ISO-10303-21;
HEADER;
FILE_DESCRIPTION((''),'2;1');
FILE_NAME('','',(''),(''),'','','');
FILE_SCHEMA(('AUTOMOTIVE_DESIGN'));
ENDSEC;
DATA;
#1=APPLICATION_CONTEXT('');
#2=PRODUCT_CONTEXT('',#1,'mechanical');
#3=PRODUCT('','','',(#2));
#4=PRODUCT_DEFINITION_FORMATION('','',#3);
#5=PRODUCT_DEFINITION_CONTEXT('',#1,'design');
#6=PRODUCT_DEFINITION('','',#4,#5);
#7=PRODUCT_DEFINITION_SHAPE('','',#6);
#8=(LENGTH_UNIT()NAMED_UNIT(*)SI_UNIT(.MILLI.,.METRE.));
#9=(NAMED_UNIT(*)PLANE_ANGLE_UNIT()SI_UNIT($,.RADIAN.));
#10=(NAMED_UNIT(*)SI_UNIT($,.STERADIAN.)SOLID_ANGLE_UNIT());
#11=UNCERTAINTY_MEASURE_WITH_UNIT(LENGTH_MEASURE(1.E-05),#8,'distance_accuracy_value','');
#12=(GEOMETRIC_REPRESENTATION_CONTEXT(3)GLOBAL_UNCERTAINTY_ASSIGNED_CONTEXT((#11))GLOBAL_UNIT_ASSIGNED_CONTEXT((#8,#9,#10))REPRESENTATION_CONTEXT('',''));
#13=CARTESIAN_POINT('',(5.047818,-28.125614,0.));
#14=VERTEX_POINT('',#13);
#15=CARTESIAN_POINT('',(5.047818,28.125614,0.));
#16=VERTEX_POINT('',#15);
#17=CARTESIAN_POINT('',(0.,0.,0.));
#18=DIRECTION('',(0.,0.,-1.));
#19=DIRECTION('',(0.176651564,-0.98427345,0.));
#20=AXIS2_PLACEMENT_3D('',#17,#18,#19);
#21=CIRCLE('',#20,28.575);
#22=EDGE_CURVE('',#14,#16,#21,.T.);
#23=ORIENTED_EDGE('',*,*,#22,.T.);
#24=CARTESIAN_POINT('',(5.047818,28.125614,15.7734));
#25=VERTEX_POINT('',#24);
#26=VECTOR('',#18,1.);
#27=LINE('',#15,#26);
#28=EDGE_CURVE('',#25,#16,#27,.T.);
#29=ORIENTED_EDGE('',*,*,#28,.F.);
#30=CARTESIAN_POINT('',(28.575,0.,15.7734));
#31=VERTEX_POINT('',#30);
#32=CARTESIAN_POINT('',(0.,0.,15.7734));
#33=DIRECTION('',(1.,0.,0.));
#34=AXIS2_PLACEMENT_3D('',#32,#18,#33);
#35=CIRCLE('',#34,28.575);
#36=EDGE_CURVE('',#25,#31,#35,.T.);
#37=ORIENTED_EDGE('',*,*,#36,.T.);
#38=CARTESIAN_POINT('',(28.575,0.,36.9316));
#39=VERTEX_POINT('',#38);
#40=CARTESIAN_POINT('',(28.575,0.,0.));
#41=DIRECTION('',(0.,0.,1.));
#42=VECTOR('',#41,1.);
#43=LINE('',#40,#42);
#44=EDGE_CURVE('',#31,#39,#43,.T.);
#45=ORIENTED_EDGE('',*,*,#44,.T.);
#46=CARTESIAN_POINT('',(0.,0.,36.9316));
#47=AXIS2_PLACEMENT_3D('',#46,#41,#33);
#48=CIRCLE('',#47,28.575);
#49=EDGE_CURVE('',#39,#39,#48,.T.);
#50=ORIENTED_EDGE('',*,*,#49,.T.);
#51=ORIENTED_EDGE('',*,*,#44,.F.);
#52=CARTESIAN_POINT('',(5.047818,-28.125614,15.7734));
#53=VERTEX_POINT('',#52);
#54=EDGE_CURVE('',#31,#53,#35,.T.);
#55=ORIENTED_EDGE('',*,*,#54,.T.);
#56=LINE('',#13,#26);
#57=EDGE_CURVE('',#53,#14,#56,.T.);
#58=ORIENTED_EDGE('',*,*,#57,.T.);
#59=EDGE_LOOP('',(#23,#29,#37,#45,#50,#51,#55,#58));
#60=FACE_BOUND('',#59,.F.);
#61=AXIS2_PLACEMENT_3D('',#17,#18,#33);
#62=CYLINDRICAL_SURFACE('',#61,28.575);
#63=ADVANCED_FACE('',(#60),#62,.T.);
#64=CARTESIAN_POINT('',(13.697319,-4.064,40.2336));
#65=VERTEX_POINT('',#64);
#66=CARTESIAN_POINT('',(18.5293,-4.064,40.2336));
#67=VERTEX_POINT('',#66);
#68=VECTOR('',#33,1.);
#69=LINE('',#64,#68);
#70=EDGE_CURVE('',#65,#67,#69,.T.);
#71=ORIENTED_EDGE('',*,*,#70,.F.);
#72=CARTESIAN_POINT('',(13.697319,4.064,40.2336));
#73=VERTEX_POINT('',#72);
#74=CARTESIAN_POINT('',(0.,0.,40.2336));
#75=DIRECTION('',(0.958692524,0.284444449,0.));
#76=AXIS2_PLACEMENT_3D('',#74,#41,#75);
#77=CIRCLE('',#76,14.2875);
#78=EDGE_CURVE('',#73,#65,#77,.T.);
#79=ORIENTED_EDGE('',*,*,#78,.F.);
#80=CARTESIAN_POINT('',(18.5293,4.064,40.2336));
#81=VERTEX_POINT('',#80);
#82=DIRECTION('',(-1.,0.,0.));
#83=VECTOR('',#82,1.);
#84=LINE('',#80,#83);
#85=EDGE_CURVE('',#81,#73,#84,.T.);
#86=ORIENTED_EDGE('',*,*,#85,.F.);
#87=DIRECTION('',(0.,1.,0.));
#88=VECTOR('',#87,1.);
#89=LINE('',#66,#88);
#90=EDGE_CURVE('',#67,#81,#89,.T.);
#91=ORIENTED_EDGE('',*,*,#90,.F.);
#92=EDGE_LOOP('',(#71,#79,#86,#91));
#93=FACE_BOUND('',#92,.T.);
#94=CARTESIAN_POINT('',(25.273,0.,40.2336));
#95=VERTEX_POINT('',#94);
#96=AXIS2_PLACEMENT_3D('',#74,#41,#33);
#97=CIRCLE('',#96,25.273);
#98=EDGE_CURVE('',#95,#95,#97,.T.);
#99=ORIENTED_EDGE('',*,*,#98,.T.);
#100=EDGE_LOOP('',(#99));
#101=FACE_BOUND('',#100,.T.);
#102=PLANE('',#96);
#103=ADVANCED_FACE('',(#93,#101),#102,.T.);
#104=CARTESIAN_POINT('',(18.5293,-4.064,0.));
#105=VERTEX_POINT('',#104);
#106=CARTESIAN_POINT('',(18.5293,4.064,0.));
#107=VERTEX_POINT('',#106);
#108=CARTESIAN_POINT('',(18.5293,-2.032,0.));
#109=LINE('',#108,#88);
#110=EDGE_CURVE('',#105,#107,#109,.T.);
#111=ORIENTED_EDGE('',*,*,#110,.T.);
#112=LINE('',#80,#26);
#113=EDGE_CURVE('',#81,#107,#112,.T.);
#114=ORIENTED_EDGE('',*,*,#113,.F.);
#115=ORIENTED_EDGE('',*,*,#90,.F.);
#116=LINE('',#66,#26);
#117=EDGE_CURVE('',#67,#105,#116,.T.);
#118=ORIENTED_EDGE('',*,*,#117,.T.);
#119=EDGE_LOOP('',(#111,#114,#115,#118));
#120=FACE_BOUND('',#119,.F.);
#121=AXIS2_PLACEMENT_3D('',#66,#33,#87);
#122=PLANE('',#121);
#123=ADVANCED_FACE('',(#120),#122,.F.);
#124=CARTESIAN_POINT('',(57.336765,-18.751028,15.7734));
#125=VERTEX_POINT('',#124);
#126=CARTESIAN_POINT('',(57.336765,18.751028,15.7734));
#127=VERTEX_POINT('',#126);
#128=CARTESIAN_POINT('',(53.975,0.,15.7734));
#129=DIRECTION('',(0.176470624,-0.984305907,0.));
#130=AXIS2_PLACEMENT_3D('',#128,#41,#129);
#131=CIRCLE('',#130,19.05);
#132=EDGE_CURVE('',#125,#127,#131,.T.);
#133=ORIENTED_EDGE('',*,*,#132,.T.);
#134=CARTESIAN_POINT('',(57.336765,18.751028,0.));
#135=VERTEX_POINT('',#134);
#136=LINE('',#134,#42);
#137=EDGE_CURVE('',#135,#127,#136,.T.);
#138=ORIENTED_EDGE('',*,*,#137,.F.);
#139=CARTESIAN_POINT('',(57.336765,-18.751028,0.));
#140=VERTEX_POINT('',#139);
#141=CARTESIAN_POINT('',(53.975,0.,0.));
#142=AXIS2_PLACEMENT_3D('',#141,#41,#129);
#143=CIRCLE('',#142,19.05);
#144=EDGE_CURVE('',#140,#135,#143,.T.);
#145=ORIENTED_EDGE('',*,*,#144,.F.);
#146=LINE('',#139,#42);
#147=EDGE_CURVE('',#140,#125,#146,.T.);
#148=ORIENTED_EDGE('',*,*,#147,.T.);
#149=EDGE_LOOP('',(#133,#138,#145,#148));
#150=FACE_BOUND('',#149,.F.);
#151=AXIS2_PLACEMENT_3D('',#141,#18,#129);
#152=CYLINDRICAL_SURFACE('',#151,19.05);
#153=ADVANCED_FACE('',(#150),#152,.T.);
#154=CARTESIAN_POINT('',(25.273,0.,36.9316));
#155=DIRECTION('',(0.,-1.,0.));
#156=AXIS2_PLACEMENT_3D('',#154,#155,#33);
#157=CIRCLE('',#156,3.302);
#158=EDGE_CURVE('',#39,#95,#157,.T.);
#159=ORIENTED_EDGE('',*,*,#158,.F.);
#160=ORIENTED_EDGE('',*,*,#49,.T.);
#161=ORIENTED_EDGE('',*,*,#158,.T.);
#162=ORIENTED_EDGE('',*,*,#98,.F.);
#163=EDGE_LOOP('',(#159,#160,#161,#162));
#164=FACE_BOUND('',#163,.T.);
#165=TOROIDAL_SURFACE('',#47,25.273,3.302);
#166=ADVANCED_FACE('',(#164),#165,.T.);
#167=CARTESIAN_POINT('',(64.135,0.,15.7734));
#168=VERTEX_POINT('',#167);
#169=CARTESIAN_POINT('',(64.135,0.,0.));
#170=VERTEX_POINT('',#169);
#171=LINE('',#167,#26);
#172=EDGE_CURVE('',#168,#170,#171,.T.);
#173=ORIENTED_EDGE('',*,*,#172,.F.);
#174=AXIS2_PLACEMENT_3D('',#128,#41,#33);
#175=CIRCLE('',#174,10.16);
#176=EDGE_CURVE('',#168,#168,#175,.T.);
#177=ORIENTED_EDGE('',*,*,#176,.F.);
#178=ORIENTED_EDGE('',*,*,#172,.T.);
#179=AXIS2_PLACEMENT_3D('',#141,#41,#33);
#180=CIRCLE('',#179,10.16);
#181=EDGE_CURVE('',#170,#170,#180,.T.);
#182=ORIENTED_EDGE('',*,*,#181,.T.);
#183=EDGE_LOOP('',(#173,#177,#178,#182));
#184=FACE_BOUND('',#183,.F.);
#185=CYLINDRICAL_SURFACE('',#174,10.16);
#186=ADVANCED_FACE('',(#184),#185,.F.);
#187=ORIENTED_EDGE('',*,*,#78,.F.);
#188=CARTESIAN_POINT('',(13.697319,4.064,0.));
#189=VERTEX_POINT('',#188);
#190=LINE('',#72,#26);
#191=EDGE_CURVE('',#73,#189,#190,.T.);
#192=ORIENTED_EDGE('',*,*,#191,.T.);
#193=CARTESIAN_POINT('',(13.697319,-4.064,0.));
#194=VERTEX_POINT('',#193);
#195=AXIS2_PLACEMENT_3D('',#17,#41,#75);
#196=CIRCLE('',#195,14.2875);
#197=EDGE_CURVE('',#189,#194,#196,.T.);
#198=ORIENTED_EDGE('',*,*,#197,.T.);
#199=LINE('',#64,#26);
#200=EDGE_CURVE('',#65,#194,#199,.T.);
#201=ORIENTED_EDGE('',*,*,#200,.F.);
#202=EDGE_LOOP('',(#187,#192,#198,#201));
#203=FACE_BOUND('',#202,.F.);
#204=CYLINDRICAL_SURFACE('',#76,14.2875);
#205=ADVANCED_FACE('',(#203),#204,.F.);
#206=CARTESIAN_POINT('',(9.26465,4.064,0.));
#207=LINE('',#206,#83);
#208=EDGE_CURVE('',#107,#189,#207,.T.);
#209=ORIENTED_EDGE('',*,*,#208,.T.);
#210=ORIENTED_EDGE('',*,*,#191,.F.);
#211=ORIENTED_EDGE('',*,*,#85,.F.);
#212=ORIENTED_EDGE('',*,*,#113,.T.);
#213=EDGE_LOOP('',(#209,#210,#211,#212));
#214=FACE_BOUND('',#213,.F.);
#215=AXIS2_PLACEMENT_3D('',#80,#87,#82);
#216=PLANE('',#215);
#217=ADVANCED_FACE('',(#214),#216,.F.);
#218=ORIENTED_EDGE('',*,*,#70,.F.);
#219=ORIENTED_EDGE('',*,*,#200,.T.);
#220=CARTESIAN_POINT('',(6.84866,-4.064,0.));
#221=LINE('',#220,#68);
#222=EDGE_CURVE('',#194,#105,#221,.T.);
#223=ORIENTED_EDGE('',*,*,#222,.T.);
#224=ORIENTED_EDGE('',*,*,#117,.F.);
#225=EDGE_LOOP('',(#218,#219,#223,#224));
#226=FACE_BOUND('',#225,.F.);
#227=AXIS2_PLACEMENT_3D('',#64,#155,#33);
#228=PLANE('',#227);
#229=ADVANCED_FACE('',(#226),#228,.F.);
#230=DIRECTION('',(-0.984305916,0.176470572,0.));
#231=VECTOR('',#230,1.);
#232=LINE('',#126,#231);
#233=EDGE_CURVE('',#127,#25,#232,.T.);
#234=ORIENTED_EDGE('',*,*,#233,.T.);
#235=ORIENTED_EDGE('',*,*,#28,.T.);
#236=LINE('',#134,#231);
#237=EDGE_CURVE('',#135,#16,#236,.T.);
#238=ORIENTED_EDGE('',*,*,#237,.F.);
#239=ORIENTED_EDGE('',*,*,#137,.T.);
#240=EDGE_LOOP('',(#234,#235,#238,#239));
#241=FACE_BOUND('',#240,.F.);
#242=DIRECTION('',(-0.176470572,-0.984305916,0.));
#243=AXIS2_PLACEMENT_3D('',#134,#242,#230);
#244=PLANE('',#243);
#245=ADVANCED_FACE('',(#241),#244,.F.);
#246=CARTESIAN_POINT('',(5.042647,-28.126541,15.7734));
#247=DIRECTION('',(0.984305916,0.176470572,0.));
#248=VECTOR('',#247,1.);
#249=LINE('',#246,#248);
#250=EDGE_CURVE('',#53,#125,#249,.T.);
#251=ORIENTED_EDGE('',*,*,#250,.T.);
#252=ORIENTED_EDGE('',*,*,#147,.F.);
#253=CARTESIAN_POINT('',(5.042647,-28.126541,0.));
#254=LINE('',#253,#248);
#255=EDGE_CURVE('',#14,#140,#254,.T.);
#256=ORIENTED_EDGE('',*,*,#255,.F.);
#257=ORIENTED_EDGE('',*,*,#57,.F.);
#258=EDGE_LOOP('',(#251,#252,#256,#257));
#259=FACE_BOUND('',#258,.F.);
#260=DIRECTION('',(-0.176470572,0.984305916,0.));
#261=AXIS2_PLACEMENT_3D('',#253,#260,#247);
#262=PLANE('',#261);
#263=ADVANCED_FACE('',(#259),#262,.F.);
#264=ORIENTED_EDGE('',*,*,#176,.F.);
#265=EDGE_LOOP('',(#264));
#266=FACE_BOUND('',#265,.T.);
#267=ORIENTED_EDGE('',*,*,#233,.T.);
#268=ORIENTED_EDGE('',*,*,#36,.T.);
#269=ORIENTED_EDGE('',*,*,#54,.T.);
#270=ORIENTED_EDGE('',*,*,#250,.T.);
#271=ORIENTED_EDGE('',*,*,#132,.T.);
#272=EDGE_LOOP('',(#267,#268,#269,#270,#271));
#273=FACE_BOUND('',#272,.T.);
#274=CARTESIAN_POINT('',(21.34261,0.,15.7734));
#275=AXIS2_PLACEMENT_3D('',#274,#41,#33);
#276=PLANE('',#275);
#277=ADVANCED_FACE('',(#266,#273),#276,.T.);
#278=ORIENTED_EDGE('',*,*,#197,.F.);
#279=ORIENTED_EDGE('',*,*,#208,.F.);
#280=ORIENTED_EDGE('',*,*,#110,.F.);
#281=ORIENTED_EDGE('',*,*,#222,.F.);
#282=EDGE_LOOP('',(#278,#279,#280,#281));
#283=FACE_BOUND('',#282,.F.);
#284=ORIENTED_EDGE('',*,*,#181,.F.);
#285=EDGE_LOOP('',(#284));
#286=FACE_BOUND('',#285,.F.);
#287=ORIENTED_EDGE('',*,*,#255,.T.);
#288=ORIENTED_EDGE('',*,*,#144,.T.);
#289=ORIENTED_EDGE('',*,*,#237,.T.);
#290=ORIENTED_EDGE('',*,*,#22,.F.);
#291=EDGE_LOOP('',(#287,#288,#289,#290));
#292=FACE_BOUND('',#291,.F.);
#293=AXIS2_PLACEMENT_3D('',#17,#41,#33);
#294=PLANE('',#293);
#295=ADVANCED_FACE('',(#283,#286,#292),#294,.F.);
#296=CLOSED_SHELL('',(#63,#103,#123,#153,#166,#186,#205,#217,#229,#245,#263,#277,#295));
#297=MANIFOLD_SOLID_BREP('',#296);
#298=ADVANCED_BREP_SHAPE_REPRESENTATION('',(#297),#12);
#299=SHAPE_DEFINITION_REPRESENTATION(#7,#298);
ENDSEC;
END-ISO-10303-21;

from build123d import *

# Parameters (mm, degrees)
F0_R     = 28.575
F1_DEPTH = 40.2336
F3_DEPTH = 15.7734
F5_DEPTH = 40.2346
F6_R     = 10.16
F7_DEPTH = 15.7744
F8_R     = 3.302


with BuildPart() as f1:
    # F0 (on Top) → F1 (new body)
    with BuildSketch(Plane.XY):
        Circle(F0_R)
    extrude(amount=F1_DEPTH)

    # F2 (on Top) → F3 (join)
    with BuildSketch(Plane.XY):
        with BuildLine():
            Line((5.042647, -28.126541), (57.336765, -18.751028))
            ThreePointArc((57.336765, -18.751028), (73.025, 0), (57.336765, 18.751028))
            Line((57.336765, 18.751028), (5.042647, 28.126541))
            ThreePointArc((5.042647, 28.126541), (-28.575, 0), (5.042647, -28.126541))
        make_face()
    extrude(amount=F3_DEPTH)

    # F4 (on face) → F5 (cut, through all)
    with BuildSketch(Plane.XY.offset(40.2336)):
        with BuildLine():
            Line((18.5293, 4.064), (13.697319, 4.064))
            ThreePointArc((13.697319, 4.064), (-14.2875, 0), (13.697319, -4.064))
            Line((13.697319, -4.064), (18.5293, -4.064))
            Line((18.5293, -4.064), (18.5293, 0))
            Line((18.5293, 0), (18.5293, 4.064))
        make_face()
    extrude(amount=-F5_DEPTH, mode=Mode.SUBTRACT)

    # F6 (on face) → F7 (cut, through all)
    with BuildSketch(Plane.XY.offset(15.7734)):
        with Locations((53.975, 0)):
            Circle(F6_R)
    extrude(amount=-F7_DEPTH, mode=Mode.SUBTRACT)

    # F8
    f8_edges = [f1.edges().sort_by_distance(p)[0] for p in [
        (-28.575, 0, 40.2336),
    ]]
    fillet(f8_edges, radius=F8_R)


solid = f1.part
